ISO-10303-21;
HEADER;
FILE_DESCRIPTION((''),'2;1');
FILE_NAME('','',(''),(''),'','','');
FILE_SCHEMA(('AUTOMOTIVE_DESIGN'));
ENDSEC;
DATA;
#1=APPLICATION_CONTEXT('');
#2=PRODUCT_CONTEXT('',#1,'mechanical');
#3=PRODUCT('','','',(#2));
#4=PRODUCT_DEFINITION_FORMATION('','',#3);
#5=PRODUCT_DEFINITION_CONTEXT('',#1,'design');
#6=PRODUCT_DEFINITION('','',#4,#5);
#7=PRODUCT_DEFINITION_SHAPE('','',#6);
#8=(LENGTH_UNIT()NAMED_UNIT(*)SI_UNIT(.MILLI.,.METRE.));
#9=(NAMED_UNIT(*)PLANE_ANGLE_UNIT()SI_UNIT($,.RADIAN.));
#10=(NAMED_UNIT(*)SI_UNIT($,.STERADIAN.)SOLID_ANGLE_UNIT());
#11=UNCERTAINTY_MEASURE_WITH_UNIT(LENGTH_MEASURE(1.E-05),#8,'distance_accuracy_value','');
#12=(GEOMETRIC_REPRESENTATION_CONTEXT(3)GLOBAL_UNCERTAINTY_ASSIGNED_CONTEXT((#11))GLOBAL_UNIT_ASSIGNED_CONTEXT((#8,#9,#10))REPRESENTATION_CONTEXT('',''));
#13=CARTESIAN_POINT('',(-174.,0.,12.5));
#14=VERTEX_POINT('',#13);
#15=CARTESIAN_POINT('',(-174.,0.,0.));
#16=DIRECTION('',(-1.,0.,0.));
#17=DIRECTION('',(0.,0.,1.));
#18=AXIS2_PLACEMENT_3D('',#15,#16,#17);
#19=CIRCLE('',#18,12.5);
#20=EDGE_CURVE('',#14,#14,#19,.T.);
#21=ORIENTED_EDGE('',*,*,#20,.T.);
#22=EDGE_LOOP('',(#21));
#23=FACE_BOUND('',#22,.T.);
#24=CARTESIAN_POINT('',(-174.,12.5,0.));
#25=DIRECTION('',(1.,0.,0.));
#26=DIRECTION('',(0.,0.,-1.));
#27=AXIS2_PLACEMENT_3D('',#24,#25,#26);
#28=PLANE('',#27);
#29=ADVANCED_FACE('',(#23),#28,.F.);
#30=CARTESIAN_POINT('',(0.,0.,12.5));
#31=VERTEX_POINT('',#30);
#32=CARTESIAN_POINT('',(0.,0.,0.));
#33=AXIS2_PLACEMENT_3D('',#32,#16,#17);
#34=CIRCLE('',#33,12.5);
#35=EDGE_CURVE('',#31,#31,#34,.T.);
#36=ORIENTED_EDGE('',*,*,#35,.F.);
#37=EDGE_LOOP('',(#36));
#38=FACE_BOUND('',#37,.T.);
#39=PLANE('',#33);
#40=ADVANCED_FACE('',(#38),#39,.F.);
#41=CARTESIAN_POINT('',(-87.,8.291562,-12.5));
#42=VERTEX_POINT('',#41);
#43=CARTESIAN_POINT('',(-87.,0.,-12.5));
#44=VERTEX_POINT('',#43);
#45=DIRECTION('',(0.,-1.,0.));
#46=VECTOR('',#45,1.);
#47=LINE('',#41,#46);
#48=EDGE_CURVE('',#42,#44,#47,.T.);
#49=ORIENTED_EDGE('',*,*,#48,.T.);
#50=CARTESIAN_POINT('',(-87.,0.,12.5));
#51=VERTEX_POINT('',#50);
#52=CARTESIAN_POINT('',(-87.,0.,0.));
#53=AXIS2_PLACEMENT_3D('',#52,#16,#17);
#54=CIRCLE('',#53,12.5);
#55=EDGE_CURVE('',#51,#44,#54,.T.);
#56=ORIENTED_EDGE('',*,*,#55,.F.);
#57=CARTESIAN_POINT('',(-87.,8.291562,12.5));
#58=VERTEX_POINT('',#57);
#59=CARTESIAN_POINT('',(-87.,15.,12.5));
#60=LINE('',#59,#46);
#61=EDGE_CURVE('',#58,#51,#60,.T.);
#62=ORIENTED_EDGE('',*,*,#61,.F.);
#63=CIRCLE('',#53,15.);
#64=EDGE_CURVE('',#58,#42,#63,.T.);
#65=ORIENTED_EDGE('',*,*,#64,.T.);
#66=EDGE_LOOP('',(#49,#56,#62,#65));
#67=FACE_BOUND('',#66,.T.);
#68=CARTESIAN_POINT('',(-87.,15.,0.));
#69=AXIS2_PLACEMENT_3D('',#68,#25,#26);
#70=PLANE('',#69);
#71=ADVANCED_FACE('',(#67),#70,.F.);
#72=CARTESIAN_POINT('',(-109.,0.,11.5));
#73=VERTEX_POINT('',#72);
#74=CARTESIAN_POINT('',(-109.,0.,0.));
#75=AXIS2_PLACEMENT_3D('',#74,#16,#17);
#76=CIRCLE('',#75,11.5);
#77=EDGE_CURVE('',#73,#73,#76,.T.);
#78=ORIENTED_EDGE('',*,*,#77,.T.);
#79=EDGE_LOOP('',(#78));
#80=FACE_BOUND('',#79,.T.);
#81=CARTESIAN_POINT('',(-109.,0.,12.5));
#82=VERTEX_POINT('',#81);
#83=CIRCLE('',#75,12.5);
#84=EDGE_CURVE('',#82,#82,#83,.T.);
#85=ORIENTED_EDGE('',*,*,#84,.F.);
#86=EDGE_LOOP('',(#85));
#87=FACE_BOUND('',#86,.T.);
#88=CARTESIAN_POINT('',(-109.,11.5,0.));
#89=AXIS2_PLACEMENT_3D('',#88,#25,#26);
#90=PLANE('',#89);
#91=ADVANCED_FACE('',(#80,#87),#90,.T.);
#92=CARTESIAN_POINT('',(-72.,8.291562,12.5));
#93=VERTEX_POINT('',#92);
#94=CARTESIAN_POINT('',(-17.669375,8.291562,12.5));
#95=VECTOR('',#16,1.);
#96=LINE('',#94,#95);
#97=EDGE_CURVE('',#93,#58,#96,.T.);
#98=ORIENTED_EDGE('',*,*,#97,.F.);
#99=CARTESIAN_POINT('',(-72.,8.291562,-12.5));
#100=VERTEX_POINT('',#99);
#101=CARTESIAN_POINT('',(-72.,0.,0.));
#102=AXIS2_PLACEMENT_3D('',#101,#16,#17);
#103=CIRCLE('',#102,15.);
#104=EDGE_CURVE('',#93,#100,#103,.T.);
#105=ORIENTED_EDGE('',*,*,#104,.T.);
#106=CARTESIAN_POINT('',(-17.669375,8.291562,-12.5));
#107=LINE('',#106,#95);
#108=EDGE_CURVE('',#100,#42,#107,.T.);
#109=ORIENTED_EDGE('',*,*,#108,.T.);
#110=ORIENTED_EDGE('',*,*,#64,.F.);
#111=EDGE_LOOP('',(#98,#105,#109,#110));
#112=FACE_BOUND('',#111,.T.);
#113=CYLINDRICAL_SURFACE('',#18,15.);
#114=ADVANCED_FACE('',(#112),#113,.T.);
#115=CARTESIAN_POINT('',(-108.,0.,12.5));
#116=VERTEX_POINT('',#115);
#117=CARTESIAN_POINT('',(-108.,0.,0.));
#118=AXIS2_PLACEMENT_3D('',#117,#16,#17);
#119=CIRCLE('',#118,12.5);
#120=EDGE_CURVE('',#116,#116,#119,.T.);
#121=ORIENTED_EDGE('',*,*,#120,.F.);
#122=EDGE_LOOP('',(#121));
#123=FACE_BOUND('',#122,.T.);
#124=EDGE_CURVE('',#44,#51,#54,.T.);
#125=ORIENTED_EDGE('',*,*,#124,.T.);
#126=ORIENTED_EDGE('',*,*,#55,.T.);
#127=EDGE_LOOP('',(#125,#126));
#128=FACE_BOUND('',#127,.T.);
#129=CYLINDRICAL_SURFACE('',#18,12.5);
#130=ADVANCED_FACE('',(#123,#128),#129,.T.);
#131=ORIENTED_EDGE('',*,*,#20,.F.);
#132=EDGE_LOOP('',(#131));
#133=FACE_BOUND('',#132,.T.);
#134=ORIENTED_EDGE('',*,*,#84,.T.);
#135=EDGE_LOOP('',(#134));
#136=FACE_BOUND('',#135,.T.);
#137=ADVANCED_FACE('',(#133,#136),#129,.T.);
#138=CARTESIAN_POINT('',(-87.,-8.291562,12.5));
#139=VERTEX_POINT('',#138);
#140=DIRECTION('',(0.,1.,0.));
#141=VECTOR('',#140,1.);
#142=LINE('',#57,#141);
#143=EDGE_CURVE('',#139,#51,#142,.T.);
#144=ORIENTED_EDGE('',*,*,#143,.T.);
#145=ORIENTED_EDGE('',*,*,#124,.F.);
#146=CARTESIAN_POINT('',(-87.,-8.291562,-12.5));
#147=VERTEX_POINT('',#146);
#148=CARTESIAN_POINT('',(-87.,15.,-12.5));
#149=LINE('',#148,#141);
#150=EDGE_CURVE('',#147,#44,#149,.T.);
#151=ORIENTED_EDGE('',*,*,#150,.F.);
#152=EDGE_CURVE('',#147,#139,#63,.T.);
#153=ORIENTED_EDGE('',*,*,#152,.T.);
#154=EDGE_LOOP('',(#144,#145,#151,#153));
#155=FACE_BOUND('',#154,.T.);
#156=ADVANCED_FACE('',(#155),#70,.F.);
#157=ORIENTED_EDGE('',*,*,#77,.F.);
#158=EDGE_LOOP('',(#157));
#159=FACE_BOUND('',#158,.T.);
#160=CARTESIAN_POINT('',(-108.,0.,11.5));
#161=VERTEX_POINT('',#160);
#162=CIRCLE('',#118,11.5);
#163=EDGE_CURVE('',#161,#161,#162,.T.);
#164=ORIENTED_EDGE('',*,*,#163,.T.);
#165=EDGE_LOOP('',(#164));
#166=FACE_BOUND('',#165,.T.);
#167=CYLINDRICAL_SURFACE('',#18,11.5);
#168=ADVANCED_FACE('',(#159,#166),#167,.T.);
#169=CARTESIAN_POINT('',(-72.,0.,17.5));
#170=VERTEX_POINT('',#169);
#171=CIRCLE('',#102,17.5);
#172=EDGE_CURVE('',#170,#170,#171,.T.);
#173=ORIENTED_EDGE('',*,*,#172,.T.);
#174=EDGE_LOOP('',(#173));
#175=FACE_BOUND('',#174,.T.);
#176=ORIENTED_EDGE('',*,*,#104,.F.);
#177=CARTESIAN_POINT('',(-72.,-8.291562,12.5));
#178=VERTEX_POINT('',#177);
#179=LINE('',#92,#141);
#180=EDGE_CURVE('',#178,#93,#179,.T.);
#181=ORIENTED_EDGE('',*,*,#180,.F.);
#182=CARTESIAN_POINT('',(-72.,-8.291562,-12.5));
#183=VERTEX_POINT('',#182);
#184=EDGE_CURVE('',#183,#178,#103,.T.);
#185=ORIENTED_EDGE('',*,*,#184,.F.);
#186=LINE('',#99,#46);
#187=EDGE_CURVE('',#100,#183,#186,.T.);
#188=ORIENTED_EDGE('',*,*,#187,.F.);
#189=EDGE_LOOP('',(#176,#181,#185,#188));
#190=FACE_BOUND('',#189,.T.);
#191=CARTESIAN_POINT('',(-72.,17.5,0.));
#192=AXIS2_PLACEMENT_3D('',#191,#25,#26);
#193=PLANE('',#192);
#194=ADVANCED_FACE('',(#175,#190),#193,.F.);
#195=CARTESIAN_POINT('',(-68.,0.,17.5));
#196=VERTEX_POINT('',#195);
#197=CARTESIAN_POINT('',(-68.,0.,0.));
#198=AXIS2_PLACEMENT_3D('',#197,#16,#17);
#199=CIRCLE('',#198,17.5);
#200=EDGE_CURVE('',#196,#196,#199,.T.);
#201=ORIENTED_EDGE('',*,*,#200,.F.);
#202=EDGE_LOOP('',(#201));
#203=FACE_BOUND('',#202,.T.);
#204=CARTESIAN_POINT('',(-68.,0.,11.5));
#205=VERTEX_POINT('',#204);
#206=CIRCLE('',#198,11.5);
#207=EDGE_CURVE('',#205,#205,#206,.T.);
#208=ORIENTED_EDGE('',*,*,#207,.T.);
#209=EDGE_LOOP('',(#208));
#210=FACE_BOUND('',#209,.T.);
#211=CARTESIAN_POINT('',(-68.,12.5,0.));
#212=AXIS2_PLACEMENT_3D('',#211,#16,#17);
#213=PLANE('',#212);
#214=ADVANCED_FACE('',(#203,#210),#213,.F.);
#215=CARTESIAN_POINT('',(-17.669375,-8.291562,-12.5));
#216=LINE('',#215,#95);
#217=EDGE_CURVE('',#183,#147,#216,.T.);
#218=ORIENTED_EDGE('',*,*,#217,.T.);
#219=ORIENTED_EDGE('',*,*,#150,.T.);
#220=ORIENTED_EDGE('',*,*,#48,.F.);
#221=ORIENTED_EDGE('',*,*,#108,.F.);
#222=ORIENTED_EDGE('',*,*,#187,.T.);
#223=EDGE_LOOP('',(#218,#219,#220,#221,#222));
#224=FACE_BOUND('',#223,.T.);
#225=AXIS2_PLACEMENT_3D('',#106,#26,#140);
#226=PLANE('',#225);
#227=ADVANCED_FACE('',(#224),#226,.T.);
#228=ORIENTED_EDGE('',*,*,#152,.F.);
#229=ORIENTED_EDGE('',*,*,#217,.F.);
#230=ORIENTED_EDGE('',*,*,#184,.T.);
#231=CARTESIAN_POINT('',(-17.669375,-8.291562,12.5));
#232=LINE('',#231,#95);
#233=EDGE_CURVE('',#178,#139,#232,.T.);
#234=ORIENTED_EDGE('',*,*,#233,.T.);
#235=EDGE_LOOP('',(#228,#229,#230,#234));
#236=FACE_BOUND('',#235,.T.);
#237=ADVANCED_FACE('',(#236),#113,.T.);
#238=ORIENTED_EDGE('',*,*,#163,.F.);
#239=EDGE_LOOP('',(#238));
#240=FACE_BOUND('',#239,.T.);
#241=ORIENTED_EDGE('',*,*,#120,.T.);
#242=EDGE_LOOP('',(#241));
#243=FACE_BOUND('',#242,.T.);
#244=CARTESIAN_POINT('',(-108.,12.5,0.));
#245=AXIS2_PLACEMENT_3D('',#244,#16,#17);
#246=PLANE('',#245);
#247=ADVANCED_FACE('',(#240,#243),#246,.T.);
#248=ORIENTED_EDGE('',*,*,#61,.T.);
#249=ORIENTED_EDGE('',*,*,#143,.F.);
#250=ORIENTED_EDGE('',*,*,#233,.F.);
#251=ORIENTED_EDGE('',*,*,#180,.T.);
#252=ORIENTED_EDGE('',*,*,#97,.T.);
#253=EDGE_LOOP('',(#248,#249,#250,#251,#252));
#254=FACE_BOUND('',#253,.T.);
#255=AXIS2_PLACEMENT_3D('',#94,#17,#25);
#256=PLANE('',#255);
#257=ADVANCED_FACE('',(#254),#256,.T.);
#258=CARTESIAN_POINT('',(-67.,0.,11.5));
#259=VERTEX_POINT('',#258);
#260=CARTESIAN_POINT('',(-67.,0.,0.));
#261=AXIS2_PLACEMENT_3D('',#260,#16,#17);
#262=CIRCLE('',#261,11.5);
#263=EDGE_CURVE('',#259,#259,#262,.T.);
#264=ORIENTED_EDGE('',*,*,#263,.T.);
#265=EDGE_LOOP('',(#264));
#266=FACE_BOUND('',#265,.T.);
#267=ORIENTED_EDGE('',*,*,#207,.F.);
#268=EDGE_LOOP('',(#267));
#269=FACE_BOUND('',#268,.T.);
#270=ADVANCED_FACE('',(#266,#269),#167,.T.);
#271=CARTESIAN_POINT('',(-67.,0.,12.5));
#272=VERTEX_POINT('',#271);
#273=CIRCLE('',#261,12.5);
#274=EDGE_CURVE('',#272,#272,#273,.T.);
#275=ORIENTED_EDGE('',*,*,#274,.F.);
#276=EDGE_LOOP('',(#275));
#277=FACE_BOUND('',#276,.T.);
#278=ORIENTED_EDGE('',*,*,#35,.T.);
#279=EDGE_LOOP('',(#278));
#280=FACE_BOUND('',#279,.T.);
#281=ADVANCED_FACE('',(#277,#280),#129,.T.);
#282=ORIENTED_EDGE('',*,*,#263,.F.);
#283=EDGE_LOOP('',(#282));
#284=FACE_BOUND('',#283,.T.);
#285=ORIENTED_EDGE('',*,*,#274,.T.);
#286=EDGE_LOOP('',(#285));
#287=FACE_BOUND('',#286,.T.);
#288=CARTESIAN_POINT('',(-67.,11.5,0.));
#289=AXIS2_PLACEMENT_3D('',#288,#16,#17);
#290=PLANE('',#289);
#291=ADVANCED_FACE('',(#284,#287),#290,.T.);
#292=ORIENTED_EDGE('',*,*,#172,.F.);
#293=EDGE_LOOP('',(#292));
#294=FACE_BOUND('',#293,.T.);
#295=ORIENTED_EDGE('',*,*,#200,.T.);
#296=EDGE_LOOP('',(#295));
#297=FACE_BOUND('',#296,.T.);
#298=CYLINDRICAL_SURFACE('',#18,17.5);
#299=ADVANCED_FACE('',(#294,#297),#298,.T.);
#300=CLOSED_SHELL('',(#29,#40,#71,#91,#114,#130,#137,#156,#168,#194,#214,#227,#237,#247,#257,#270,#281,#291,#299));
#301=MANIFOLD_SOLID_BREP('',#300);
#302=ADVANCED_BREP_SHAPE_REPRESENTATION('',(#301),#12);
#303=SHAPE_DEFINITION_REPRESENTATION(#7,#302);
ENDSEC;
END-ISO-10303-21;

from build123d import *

# Parameters (mm, degrees)
SKETCH4_W          = 1
SKETCH4_H          = 1
SKETCH5_OUTSIDE_W  = 73.18
SKETCH5_OUTSIDE_H  = 73.18
CUT_EXTRUDE1_DEPTH = 15


with BuildPart() as part:
    # Sketch3 → Revolve2 (revolve)
    with BuildSketch(Plane.XY, mode=Mode.PRIVATE) as revolve2_sk:
        Polygon((0, 0), (0, 12.5), (-68, 12.5), (-68, 17.5), (-72, 17.5), (-72, 15), (-87, 15), (-87, 12.5), (-174, 12.5), (-174, 0), align=None)
    revolve(revolve2_sk.sketch.rotate(Axis((-174, 0, 0), (1, 0, 0)), 90), axis=Axis((-174, 0, 0), (1, 0, 0)))

    # Sketch4 → Cut-Revolve1 (revolve, cut)
    with BuildSketch(Plane.XY, mode=Mode.PRIVATE) as cut_revolve1_sk:
        with Locations((-108.5, 12)):
            Rectangle(SKETCH4_W, SKETCH4_H)
        with Locations((-67.5, 12)):
            Rectangle(SKETCH4_W, SKETCH4_H)
    revolve(cut_revolve1_sk.sketch.rotate(Axis((-174, 0, 0), (1, 0, 0)), 90), axis=Axis((-174, 0, 0), (1, 0, 0)), mode=Mode.SUBTRACT)

    # Sketch5 outside → Cut-Extrude1 (cut)
    with BuildSketch(Plane.ZY.offset(87)):
        Rectangle(SKETCH5_OUTSIDE_W, SKETCH5_OUTSIDE_H)
        with BuildLine():
            Line((-12.5, 8.291561976), (-12.5, -8.291561976))
            ThreePointArc((-12.5, -8.291561976), (0, -15), (12.5, -8.291561976))
            Line((12.5, -8.291561976), (12.5, 8.291561976))
            ThreePointArc((12.5, 8.291561976), (0, 15), (-12.5, 8.291561976))
        make_face(mode=Mode.SUBTRACT)
    extrude(amount=-CUT_EXTRUDE1_DEPTH, mode=Mode.SUBTRACT)


solid = part.part
